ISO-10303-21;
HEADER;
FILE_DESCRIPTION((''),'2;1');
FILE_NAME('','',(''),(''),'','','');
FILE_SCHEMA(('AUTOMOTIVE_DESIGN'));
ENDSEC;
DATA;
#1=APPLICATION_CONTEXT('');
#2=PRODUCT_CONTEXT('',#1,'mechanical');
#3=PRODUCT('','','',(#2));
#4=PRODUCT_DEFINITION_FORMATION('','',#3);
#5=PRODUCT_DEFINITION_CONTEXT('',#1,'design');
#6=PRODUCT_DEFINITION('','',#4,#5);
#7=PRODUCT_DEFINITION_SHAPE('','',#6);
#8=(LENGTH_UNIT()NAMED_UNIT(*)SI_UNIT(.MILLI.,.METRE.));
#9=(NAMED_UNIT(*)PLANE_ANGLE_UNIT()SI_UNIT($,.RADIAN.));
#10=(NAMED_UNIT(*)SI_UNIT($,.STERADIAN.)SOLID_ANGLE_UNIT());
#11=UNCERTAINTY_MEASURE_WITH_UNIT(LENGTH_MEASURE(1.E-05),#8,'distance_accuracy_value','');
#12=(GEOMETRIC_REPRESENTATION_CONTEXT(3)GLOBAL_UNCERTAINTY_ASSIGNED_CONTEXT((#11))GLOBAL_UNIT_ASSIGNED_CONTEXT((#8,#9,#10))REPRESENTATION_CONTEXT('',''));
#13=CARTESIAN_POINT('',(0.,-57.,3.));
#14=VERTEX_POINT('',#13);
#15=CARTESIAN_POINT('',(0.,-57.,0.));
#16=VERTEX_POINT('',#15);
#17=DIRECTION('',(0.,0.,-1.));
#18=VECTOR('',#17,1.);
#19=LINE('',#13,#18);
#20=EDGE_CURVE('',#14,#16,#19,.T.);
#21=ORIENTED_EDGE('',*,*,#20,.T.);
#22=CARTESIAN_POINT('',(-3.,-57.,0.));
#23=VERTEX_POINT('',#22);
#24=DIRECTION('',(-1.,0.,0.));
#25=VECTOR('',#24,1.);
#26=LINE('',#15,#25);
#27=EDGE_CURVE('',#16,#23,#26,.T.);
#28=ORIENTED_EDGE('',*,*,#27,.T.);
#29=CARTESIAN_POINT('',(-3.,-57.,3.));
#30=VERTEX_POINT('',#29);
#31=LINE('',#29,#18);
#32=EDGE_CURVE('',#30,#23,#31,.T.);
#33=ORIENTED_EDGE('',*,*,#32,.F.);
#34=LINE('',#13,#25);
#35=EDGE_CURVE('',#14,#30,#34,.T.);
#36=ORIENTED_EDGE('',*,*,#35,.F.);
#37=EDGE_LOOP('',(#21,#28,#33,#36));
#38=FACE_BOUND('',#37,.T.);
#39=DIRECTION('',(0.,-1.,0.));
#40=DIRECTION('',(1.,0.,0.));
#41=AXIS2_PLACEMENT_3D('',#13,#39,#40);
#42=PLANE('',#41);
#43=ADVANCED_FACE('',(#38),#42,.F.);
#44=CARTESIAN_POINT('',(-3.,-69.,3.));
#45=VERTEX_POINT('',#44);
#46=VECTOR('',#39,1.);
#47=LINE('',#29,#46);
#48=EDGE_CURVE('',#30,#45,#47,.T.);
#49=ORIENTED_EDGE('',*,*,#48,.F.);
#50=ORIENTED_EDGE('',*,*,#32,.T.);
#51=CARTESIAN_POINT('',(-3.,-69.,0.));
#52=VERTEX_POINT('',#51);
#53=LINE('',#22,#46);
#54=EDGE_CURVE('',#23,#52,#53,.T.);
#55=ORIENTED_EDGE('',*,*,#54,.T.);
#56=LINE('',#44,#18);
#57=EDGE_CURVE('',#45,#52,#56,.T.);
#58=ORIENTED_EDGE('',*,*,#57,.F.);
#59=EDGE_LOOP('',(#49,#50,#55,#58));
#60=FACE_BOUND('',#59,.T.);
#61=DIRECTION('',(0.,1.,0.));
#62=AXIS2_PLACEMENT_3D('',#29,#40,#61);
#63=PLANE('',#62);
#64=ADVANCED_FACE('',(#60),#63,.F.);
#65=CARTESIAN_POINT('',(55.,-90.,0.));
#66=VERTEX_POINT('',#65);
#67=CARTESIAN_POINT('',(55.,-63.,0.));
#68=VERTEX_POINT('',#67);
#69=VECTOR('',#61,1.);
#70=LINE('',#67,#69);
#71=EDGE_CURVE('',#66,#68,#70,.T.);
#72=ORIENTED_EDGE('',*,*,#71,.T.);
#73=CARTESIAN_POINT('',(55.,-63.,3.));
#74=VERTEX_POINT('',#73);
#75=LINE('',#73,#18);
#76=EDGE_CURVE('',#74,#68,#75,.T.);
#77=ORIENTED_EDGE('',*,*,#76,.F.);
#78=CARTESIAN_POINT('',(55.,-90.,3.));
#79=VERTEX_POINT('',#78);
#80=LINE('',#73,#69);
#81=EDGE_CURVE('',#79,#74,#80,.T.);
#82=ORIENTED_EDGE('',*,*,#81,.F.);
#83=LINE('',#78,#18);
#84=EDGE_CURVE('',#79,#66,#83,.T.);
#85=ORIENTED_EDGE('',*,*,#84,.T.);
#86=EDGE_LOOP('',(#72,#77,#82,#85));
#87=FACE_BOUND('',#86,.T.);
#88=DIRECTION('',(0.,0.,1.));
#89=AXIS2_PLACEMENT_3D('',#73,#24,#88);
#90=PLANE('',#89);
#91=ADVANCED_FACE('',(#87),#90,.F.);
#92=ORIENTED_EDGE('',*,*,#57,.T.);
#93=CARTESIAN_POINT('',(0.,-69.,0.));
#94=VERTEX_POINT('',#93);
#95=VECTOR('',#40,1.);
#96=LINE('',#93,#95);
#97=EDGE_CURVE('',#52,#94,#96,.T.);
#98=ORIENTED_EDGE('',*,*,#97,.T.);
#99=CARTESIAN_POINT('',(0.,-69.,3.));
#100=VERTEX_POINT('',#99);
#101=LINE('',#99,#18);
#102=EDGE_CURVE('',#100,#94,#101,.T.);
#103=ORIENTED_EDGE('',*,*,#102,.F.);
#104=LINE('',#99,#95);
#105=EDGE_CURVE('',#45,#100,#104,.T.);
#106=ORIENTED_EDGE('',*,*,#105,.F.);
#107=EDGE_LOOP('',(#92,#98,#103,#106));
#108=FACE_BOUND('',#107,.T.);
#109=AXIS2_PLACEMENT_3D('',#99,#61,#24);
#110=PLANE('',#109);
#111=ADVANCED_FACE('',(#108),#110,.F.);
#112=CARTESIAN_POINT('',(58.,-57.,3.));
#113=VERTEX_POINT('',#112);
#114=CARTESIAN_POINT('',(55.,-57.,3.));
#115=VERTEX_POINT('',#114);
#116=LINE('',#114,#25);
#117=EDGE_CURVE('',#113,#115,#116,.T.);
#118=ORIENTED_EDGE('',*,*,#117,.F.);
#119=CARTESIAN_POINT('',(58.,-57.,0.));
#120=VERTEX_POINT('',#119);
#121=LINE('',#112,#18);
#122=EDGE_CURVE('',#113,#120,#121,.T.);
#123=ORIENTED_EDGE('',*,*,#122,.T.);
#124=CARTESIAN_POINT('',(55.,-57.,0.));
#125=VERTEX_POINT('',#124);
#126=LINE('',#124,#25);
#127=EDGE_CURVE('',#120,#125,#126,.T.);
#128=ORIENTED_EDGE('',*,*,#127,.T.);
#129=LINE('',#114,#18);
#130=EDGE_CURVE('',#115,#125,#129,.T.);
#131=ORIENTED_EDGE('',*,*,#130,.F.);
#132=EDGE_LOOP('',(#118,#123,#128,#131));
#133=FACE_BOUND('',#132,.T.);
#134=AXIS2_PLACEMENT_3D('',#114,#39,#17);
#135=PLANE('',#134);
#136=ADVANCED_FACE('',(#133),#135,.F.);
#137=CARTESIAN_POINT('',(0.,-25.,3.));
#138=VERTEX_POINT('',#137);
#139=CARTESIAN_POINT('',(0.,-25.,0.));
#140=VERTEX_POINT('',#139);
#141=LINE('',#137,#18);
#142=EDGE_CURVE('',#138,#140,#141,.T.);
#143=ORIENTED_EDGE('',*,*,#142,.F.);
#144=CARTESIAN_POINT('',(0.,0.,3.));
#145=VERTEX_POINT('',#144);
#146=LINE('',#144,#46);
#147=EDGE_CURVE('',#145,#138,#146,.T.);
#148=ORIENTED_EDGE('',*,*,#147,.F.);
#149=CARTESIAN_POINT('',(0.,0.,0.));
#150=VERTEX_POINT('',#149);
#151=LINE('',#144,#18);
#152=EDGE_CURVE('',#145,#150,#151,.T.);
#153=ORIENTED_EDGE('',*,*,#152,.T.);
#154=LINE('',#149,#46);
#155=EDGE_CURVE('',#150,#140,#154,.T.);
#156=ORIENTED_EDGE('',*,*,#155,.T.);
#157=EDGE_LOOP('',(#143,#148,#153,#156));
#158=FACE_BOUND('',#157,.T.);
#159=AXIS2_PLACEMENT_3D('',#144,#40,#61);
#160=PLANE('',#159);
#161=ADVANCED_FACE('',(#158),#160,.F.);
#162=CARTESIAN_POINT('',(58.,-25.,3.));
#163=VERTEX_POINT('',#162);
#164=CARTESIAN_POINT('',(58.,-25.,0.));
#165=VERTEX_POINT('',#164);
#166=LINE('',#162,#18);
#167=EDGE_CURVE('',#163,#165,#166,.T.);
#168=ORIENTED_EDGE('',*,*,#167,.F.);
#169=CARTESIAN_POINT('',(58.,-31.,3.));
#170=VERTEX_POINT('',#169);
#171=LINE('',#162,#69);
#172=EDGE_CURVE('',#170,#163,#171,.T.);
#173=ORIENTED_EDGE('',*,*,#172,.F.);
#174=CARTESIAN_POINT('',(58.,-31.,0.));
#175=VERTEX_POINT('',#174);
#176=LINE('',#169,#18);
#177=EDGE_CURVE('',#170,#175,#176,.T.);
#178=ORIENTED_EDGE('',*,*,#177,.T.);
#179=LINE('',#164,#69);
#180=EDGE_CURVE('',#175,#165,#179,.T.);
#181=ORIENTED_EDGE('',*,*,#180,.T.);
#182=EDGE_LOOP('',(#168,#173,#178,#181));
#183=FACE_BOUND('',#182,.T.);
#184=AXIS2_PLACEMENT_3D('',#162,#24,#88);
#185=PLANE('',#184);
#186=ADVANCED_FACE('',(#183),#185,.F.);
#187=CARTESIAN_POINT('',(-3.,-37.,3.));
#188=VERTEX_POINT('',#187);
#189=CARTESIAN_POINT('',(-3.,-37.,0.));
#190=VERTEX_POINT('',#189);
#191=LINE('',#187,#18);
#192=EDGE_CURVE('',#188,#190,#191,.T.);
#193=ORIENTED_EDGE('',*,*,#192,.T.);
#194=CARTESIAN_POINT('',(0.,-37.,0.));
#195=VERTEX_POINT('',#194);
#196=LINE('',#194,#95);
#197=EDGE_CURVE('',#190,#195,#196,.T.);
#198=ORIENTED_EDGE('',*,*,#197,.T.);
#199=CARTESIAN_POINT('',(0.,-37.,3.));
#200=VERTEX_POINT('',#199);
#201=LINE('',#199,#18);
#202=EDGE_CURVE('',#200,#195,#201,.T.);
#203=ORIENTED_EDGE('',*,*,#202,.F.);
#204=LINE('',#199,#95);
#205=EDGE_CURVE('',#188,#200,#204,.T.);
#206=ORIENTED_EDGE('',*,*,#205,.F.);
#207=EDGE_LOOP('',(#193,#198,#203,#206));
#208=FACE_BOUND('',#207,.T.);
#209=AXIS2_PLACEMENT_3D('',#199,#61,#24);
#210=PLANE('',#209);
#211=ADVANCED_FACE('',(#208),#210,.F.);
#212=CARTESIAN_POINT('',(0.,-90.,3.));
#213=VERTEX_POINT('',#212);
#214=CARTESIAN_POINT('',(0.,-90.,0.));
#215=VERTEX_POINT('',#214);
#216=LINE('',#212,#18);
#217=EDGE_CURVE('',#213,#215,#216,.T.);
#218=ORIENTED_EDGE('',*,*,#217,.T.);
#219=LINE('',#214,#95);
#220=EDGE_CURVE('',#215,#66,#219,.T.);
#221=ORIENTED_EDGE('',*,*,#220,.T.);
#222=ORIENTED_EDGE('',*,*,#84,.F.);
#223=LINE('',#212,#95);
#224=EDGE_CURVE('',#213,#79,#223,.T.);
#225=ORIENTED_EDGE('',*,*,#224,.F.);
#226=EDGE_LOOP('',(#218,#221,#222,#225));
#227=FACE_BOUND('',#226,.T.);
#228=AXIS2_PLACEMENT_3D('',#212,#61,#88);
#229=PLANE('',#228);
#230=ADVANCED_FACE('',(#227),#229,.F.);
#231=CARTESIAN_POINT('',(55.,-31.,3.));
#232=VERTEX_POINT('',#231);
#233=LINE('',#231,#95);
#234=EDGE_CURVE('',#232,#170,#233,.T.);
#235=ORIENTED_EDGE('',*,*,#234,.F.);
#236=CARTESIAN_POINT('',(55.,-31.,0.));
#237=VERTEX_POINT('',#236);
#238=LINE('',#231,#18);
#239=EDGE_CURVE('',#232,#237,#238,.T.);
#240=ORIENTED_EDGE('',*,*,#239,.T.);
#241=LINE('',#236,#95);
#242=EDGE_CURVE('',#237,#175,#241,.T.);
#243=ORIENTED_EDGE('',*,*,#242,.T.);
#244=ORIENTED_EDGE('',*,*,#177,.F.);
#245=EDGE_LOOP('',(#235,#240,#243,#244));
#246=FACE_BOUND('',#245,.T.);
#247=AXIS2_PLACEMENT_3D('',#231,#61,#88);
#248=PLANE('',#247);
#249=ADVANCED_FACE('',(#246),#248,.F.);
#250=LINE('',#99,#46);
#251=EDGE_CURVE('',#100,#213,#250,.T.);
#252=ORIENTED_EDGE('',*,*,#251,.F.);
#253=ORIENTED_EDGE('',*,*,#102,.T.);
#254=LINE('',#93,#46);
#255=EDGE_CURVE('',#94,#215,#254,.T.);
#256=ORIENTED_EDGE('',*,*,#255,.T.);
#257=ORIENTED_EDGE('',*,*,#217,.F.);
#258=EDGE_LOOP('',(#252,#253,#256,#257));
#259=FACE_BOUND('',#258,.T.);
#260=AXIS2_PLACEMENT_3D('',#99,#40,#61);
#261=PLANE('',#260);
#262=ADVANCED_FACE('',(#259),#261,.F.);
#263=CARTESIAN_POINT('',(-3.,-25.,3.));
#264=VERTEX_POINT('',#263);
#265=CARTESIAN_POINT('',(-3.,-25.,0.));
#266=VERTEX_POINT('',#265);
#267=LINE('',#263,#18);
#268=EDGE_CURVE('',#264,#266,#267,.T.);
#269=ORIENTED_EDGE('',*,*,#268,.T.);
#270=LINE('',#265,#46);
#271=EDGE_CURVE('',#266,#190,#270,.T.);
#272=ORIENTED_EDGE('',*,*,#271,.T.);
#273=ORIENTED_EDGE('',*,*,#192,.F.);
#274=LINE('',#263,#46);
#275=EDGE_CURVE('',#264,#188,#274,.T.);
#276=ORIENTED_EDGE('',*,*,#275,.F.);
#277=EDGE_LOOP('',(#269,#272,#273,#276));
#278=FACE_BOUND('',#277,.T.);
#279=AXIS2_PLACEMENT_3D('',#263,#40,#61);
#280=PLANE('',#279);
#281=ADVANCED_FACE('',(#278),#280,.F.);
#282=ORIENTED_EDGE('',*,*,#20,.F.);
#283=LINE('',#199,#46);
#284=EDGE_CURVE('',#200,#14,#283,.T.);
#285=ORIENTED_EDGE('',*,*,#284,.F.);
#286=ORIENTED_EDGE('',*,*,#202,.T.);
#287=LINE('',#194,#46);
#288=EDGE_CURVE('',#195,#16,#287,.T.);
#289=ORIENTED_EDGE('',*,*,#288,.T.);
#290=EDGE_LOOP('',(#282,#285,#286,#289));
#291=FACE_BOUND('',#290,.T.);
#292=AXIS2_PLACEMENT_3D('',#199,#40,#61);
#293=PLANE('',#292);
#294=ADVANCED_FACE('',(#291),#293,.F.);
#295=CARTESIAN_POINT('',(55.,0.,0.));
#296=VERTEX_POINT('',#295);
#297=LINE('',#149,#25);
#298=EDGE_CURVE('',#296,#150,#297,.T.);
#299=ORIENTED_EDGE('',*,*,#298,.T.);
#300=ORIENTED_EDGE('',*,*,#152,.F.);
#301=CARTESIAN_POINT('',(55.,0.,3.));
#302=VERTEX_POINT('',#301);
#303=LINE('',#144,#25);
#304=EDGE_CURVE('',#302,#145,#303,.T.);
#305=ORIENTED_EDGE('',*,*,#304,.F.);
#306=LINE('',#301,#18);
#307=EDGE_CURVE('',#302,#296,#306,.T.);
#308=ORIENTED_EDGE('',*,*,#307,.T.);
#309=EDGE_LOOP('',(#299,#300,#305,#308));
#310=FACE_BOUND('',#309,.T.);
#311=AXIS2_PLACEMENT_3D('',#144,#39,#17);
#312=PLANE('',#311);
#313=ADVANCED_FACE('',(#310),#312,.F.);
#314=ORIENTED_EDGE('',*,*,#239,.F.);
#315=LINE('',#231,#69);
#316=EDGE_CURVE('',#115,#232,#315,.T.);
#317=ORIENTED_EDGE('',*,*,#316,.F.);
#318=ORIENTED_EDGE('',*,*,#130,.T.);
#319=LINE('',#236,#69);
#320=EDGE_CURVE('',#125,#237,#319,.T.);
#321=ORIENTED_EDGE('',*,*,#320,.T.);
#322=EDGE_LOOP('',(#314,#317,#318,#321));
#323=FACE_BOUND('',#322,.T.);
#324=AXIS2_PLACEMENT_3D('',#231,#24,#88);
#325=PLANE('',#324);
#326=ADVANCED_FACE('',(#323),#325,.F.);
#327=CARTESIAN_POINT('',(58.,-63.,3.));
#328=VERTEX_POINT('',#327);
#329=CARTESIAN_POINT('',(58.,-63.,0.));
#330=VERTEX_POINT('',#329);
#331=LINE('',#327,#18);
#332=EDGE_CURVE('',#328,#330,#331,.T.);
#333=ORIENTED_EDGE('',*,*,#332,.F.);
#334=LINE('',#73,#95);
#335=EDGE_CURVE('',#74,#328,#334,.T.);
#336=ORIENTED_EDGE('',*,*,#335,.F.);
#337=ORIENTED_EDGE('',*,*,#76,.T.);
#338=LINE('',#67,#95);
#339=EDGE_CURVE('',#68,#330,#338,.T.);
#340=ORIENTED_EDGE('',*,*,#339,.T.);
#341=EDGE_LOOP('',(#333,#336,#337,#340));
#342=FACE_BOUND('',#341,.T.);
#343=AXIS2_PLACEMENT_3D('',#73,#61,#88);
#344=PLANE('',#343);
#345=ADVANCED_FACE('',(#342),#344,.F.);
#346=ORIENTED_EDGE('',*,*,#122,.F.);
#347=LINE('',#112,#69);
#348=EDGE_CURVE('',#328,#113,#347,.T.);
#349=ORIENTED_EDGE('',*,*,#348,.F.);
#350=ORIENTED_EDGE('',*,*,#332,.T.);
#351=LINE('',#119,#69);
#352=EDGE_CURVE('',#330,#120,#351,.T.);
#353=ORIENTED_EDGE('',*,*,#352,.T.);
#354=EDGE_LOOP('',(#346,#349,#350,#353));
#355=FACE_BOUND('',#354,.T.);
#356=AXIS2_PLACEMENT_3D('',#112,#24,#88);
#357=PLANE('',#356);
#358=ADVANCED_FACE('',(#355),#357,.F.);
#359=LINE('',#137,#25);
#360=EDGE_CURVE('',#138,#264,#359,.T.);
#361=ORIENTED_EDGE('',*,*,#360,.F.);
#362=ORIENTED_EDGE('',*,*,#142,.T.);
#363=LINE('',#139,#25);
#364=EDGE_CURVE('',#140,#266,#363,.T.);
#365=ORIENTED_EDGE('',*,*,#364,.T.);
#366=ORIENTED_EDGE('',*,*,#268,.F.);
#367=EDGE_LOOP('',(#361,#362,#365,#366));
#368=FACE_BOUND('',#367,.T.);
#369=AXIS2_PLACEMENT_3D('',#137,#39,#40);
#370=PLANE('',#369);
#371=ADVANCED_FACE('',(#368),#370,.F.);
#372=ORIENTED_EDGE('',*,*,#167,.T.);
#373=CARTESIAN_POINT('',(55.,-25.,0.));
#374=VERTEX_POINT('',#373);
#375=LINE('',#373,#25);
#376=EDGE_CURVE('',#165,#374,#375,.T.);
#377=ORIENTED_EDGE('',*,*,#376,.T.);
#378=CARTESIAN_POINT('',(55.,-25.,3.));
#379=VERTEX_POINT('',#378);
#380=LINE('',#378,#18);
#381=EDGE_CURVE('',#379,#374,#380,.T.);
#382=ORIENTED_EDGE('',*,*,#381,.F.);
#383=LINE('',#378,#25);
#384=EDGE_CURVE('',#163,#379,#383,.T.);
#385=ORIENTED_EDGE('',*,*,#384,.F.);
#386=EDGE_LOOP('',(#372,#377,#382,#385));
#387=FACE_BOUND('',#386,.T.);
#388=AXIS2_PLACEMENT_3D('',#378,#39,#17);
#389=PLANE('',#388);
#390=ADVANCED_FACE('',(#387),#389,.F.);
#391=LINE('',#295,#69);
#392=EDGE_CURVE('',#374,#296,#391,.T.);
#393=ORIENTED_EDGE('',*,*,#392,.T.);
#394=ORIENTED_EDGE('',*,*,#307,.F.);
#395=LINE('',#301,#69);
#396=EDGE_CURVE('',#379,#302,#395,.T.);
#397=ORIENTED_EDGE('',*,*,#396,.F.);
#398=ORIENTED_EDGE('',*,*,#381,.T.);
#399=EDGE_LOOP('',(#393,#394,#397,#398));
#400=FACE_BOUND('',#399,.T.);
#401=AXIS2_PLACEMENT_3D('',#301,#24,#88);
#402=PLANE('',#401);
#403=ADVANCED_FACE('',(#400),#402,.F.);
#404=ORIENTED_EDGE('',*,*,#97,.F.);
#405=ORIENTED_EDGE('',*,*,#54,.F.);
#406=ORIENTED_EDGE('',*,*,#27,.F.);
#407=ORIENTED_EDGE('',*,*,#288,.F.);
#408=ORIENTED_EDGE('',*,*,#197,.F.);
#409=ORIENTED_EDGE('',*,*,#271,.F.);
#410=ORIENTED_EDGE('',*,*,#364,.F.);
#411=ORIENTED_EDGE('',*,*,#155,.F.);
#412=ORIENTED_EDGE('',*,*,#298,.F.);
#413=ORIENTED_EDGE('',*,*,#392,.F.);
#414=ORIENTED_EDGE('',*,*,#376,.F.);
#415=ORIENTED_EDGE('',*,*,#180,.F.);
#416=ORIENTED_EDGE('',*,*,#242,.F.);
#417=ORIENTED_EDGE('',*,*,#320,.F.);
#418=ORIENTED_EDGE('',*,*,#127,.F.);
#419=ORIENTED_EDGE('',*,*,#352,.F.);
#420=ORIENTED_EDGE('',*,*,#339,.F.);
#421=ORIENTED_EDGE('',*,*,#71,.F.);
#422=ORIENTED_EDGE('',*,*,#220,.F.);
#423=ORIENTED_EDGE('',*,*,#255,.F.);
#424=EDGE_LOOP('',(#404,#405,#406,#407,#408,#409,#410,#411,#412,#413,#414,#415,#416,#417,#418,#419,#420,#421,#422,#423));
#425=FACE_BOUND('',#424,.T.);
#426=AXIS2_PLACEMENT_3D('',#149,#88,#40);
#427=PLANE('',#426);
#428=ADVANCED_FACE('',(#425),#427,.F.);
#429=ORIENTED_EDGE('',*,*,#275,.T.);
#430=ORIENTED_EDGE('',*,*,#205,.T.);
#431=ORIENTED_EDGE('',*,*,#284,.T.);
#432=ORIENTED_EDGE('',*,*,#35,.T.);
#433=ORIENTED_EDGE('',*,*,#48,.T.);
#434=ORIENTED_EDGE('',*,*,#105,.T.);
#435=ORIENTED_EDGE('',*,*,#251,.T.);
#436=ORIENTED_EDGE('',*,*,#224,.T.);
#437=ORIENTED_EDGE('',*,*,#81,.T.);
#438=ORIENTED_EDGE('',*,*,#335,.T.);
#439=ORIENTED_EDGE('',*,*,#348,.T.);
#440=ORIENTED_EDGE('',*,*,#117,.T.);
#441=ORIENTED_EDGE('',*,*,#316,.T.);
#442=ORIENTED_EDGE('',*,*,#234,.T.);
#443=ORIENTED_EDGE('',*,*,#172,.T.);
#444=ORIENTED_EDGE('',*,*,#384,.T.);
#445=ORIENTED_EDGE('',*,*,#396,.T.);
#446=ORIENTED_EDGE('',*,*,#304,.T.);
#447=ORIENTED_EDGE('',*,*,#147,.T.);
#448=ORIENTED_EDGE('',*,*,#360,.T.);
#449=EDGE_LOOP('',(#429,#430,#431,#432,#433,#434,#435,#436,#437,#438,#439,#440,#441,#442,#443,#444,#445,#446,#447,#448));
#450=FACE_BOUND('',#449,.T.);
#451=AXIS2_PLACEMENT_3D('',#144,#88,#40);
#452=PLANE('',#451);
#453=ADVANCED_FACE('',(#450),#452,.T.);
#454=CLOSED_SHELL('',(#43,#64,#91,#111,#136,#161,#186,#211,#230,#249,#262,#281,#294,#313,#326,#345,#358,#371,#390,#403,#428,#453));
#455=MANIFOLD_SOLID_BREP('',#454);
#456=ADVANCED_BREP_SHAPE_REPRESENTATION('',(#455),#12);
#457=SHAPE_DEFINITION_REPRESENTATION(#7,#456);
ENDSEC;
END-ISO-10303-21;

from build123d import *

# Parameters (mm, degrees)
P_IDAT_VYSUNUT_M1_DEPTH = 3


with BuildPart() as part:
    # Skica1 → Přidat vysunutím1 (new body)
    with BuildSketch(Plane.XY):
        Polygon((0, 0), (55, 0), (55, -25), (58, -25), (58, -31), (55, -31), (55, -57), (58, -57), (58, -63), (55, -63), (55, -90), (0, -90), (0, -69), (-3, -69), (-3, -57), (0, -57), (0, -37), (-3, -37), (-3, -25), (0, -25), align=None)
    extrude(amount=P_IDAT_VYSUNUT_M1_DEPTH)


solid = part.part
